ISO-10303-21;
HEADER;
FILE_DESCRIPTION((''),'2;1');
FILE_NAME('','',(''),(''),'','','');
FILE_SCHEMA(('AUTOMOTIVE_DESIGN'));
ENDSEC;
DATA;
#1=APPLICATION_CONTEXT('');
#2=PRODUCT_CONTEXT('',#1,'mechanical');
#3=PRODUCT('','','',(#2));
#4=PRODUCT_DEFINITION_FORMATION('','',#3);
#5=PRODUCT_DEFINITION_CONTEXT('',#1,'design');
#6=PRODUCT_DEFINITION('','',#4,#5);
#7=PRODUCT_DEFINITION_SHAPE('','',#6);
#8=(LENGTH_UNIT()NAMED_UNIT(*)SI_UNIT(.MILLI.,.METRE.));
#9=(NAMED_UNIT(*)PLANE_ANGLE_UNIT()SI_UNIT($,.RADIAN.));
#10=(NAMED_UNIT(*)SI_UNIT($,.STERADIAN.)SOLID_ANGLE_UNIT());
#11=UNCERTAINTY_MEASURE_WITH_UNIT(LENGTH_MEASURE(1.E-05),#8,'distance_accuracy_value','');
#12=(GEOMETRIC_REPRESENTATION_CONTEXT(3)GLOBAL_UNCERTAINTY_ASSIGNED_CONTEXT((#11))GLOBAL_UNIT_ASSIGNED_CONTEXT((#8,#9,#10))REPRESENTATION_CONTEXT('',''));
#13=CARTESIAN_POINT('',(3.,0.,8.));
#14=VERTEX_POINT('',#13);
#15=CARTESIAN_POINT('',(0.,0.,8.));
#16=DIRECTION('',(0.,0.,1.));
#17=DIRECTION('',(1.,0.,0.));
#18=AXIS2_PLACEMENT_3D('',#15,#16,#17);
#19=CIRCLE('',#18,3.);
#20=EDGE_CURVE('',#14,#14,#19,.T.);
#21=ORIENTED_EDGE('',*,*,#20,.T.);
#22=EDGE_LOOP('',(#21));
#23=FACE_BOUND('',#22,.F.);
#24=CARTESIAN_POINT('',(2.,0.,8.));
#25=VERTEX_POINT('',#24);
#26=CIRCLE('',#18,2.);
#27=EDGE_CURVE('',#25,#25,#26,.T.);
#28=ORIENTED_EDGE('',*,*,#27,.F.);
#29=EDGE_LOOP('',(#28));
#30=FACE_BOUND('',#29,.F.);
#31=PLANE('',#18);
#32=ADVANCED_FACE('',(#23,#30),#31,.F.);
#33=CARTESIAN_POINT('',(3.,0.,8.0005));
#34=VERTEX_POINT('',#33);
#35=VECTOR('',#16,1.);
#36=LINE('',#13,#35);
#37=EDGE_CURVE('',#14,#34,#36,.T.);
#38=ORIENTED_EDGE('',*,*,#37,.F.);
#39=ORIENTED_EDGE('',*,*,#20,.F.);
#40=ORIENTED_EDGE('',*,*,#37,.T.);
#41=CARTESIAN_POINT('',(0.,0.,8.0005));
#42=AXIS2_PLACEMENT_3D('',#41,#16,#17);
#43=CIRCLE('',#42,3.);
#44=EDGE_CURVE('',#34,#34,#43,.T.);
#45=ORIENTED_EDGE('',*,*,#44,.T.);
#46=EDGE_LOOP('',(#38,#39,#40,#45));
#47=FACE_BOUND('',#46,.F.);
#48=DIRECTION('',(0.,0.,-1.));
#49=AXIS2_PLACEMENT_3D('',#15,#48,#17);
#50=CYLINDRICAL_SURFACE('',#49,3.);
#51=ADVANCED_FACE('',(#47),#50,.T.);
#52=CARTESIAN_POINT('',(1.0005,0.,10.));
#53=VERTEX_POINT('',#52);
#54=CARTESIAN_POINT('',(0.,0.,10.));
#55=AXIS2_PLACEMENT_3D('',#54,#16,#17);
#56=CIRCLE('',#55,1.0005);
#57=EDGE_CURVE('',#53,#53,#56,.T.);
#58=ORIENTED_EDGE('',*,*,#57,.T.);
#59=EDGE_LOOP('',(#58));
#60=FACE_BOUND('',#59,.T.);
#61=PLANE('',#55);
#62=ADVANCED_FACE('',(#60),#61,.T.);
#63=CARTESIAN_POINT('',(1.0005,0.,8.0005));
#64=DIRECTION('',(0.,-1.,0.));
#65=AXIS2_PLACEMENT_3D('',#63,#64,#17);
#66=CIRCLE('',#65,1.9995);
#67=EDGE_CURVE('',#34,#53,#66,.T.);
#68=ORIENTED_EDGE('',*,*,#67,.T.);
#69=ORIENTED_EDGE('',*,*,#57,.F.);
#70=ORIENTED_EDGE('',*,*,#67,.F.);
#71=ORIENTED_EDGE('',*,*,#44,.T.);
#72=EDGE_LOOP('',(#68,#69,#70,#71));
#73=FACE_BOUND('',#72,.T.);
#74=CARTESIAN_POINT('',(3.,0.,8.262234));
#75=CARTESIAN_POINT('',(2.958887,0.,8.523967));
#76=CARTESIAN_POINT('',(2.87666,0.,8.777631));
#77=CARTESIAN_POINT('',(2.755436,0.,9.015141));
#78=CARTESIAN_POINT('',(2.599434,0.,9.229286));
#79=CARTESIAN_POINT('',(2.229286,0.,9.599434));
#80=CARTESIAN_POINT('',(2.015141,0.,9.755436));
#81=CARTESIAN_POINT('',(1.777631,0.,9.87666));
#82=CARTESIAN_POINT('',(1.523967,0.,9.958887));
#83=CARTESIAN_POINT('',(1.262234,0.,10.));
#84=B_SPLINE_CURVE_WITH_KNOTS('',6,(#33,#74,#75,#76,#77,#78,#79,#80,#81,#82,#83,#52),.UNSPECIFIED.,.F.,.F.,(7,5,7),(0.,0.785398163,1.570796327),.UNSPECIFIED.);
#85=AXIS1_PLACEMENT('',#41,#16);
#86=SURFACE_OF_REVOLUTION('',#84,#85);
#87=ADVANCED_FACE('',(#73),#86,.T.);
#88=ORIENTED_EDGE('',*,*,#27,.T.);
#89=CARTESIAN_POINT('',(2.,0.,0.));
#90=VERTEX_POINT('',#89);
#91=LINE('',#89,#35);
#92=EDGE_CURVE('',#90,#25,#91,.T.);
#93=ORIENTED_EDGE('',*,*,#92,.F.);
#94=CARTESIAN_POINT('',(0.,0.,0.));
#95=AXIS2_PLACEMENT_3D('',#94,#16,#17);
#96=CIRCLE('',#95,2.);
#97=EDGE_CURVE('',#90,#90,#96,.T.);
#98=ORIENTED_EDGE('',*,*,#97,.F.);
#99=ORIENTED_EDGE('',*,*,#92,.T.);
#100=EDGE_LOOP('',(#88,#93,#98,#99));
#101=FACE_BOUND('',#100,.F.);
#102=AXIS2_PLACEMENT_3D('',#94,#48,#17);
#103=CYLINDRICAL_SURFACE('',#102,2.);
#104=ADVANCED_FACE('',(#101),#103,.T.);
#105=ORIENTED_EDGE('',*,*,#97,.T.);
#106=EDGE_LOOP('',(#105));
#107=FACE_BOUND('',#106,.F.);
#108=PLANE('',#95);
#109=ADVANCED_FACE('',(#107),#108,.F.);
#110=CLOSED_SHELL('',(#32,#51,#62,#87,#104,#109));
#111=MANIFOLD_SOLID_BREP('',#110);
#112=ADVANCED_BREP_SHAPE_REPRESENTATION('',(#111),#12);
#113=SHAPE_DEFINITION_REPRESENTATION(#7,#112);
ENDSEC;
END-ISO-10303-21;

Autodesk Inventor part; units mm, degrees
ref_plane "YZ Plane" through (0, 0, 0) normal (1, 0, 0) x (0, 1, 0)
ref_plane "XZ Plane" through (0, 0, 0) normal (0, 1, 0) x (-1, 0, 0)
ref_plane "XY Plane" through (0, 0, 0) normal (0, 0, 1) x (1, 0, 0)
sketch "スケッチ1" plane through (0, 0, 0) normal (0, 0, 1) x (1, 0, 0)
  circle A0 centre (0, 0) radius 2
  dimension "d0" = 4
extrude "押し出し1" add sketch "スケッチ1" along normal blind 8
sketch "スケッチ2" plane through (0, 0, 8) normal (0, 0, 1) x (1, 0, 0)
  circle A0 centre (0, 0) radius 2 projected
  circle A1 centre (0, 0) radius 3
  dimension "d3" = 6
extrude "押し出し2" add sketch "スケッチ2" along normal blind 2 contours A0 | A1
fillet "フィレット1" radius 2 1 edges at (-3, 0, 10)
properties part number "M4ボタンボルト8" material "鋼、高強度、低合金"
